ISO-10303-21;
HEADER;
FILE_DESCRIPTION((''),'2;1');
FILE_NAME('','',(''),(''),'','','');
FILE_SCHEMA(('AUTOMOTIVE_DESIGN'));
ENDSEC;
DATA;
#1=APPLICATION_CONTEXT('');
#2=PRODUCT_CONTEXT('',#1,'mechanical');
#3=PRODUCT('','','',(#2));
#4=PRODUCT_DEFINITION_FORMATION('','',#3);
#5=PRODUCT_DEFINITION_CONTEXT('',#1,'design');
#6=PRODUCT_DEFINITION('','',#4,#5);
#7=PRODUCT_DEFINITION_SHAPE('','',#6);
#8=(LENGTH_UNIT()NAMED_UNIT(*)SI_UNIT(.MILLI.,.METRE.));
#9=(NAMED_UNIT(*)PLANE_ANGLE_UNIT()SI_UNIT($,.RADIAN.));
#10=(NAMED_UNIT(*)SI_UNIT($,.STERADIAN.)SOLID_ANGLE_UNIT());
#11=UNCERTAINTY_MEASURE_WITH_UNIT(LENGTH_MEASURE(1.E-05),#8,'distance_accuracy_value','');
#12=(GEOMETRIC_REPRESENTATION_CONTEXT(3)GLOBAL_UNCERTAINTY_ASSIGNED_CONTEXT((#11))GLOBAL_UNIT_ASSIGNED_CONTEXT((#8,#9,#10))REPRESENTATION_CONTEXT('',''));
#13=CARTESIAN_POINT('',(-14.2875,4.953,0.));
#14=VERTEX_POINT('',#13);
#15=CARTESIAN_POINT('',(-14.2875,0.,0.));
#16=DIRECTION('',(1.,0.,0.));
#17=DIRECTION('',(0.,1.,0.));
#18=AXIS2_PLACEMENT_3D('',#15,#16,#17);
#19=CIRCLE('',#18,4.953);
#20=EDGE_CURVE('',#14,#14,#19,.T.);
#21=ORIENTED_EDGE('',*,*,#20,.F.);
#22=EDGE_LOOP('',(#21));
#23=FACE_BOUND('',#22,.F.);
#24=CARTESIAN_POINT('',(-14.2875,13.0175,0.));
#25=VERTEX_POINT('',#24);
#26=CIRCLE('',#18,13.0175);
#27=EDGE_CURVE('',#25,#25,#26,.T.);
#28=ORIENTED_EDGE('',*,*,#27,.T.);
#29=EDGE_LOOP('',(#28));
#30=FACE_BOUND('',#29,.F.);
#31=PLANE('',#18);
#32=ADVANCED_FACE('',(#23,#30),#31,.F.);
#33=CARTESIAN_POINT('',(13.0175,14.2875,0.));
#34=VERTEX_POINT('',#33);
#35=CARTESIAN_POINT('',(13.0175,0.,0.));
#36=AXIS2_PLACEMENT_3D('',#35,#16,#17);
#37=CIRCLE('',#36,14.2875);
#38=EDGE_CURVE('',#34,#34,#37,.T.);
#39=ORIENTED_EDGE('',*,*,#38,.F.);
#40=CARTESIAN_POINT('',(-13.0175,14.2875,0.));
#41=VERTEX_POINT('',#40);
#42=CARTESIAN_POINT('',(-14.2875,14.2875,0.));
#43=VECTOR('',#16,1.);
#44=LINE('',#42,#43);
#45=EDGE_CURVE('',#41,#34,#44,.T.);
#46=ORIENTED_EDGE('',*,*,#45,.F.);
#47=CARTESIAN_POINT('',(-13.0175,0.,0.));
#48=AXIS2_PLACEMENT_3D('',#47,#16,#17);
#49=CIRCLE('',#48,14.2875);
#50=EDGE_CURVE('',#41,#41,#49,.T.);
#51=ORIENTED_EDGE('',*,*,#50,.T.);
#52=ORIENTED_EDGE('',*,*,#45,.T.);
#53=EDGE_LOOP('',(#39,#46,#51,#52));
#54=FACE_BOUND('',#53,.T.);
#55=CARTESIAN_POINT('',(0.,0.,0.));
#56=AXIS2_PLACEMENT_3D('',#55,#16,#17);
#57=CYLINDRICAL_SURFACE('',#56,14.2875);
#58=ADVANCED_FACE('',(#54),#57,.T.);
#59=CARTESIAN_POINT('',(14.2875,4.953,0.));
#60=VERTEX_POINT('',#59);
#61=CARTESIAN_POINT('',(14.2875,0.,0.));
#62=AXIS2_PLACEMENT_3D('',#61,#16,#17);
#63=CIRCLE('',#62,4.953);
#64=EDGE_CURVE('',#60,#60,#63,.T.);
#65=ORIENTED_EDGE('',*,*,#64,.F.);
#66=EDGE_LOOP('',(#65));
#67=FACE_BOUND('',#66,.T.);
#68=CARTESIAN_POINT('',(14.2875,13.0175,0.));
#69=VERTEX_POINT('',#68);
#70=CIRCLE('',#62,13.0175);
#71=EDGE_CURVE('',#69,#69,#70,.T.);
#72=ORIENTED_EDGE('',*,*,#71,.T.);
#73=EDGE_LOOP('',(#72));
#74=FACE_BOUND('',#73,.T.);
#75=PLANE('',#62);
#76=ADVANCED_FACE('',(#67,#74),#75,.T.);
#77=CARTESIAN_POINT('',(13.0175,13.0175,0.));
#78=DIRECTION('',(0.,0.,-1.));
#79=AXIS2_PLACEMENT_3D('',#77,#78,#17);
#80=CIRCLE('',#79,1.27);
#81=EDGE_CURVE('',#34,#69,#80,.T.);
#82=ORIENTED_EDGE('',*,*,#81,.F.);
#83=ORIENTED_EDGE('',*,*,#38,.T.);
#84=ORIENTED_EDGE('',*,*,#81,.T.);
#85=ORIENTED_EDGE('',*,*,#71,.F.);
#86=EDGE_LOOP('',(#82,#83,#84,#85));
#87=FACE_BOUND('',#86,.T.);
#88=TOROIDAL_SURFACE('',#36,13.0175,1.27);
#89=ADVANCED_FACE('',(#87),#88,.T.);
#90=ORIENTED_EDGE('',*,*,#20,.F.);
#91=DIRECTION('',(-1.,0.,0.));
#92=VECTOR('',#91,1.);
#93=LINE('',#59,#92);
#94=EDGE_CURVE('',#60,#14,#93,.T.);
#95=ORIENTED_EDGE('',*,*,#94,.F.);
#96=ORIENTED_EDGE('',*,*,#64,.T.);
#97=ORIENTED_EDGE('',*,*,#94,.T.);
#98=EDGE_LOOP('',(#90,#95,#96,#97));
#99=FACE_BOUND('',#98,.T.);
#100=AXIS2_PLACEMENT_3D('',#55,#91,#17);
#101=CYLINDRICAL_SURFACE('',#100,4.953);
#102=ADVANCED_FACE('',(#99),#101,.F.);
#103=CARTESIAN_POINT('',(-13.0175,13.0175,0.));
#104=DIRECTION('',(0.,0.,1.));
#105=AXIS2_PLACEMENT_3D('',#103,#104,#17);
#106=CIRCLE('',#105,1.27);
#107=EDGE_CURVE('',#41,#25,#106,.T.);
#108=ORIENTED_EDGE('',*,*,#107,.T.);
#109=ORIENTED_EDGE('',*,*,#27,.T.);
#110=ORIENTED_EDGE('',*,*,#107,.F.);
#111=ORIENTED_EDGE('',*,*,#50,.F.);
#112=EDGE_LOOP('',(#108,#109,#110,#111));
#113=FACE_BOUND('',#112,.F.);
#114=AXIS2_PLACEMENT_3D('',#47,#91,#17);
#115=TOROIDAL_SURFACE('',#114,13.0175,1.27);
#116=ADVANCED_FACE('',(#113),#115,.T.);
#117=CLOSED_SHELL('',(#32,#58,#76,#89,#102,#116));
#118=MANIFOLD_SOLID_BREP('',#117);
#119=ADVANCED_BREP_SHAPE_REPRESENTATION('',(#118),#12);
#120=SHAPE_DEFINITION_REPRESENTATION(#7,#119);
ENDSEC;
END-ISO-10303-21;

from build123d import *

# Parameters (mm, degrees)
F0_R     = 14.2875
F0_R_2   = 4.953
F1_DEPTH = 14.2875
F2_R     = 1.27


with BuildPart() as f1:
    # F0 (on Right) → F1 (new body, symmetric)
    with BuildSketch(Plane.YZ):
        Circle(F0_R)
        Circle(F0_R_2, mode=Mode.SUBTRACT)
    extrude(amount=F1_DEPTH, both=True)

    # F2
    f2_edges = [f1.edges().sort_by_distance(p)[0] for p in [
        (14.2875, -14.2875, 0),
        (-14.2875, -14.2875, 0),
    ]]
    fillet(f2_edges, radius=F2_R)


solid = f1.part
